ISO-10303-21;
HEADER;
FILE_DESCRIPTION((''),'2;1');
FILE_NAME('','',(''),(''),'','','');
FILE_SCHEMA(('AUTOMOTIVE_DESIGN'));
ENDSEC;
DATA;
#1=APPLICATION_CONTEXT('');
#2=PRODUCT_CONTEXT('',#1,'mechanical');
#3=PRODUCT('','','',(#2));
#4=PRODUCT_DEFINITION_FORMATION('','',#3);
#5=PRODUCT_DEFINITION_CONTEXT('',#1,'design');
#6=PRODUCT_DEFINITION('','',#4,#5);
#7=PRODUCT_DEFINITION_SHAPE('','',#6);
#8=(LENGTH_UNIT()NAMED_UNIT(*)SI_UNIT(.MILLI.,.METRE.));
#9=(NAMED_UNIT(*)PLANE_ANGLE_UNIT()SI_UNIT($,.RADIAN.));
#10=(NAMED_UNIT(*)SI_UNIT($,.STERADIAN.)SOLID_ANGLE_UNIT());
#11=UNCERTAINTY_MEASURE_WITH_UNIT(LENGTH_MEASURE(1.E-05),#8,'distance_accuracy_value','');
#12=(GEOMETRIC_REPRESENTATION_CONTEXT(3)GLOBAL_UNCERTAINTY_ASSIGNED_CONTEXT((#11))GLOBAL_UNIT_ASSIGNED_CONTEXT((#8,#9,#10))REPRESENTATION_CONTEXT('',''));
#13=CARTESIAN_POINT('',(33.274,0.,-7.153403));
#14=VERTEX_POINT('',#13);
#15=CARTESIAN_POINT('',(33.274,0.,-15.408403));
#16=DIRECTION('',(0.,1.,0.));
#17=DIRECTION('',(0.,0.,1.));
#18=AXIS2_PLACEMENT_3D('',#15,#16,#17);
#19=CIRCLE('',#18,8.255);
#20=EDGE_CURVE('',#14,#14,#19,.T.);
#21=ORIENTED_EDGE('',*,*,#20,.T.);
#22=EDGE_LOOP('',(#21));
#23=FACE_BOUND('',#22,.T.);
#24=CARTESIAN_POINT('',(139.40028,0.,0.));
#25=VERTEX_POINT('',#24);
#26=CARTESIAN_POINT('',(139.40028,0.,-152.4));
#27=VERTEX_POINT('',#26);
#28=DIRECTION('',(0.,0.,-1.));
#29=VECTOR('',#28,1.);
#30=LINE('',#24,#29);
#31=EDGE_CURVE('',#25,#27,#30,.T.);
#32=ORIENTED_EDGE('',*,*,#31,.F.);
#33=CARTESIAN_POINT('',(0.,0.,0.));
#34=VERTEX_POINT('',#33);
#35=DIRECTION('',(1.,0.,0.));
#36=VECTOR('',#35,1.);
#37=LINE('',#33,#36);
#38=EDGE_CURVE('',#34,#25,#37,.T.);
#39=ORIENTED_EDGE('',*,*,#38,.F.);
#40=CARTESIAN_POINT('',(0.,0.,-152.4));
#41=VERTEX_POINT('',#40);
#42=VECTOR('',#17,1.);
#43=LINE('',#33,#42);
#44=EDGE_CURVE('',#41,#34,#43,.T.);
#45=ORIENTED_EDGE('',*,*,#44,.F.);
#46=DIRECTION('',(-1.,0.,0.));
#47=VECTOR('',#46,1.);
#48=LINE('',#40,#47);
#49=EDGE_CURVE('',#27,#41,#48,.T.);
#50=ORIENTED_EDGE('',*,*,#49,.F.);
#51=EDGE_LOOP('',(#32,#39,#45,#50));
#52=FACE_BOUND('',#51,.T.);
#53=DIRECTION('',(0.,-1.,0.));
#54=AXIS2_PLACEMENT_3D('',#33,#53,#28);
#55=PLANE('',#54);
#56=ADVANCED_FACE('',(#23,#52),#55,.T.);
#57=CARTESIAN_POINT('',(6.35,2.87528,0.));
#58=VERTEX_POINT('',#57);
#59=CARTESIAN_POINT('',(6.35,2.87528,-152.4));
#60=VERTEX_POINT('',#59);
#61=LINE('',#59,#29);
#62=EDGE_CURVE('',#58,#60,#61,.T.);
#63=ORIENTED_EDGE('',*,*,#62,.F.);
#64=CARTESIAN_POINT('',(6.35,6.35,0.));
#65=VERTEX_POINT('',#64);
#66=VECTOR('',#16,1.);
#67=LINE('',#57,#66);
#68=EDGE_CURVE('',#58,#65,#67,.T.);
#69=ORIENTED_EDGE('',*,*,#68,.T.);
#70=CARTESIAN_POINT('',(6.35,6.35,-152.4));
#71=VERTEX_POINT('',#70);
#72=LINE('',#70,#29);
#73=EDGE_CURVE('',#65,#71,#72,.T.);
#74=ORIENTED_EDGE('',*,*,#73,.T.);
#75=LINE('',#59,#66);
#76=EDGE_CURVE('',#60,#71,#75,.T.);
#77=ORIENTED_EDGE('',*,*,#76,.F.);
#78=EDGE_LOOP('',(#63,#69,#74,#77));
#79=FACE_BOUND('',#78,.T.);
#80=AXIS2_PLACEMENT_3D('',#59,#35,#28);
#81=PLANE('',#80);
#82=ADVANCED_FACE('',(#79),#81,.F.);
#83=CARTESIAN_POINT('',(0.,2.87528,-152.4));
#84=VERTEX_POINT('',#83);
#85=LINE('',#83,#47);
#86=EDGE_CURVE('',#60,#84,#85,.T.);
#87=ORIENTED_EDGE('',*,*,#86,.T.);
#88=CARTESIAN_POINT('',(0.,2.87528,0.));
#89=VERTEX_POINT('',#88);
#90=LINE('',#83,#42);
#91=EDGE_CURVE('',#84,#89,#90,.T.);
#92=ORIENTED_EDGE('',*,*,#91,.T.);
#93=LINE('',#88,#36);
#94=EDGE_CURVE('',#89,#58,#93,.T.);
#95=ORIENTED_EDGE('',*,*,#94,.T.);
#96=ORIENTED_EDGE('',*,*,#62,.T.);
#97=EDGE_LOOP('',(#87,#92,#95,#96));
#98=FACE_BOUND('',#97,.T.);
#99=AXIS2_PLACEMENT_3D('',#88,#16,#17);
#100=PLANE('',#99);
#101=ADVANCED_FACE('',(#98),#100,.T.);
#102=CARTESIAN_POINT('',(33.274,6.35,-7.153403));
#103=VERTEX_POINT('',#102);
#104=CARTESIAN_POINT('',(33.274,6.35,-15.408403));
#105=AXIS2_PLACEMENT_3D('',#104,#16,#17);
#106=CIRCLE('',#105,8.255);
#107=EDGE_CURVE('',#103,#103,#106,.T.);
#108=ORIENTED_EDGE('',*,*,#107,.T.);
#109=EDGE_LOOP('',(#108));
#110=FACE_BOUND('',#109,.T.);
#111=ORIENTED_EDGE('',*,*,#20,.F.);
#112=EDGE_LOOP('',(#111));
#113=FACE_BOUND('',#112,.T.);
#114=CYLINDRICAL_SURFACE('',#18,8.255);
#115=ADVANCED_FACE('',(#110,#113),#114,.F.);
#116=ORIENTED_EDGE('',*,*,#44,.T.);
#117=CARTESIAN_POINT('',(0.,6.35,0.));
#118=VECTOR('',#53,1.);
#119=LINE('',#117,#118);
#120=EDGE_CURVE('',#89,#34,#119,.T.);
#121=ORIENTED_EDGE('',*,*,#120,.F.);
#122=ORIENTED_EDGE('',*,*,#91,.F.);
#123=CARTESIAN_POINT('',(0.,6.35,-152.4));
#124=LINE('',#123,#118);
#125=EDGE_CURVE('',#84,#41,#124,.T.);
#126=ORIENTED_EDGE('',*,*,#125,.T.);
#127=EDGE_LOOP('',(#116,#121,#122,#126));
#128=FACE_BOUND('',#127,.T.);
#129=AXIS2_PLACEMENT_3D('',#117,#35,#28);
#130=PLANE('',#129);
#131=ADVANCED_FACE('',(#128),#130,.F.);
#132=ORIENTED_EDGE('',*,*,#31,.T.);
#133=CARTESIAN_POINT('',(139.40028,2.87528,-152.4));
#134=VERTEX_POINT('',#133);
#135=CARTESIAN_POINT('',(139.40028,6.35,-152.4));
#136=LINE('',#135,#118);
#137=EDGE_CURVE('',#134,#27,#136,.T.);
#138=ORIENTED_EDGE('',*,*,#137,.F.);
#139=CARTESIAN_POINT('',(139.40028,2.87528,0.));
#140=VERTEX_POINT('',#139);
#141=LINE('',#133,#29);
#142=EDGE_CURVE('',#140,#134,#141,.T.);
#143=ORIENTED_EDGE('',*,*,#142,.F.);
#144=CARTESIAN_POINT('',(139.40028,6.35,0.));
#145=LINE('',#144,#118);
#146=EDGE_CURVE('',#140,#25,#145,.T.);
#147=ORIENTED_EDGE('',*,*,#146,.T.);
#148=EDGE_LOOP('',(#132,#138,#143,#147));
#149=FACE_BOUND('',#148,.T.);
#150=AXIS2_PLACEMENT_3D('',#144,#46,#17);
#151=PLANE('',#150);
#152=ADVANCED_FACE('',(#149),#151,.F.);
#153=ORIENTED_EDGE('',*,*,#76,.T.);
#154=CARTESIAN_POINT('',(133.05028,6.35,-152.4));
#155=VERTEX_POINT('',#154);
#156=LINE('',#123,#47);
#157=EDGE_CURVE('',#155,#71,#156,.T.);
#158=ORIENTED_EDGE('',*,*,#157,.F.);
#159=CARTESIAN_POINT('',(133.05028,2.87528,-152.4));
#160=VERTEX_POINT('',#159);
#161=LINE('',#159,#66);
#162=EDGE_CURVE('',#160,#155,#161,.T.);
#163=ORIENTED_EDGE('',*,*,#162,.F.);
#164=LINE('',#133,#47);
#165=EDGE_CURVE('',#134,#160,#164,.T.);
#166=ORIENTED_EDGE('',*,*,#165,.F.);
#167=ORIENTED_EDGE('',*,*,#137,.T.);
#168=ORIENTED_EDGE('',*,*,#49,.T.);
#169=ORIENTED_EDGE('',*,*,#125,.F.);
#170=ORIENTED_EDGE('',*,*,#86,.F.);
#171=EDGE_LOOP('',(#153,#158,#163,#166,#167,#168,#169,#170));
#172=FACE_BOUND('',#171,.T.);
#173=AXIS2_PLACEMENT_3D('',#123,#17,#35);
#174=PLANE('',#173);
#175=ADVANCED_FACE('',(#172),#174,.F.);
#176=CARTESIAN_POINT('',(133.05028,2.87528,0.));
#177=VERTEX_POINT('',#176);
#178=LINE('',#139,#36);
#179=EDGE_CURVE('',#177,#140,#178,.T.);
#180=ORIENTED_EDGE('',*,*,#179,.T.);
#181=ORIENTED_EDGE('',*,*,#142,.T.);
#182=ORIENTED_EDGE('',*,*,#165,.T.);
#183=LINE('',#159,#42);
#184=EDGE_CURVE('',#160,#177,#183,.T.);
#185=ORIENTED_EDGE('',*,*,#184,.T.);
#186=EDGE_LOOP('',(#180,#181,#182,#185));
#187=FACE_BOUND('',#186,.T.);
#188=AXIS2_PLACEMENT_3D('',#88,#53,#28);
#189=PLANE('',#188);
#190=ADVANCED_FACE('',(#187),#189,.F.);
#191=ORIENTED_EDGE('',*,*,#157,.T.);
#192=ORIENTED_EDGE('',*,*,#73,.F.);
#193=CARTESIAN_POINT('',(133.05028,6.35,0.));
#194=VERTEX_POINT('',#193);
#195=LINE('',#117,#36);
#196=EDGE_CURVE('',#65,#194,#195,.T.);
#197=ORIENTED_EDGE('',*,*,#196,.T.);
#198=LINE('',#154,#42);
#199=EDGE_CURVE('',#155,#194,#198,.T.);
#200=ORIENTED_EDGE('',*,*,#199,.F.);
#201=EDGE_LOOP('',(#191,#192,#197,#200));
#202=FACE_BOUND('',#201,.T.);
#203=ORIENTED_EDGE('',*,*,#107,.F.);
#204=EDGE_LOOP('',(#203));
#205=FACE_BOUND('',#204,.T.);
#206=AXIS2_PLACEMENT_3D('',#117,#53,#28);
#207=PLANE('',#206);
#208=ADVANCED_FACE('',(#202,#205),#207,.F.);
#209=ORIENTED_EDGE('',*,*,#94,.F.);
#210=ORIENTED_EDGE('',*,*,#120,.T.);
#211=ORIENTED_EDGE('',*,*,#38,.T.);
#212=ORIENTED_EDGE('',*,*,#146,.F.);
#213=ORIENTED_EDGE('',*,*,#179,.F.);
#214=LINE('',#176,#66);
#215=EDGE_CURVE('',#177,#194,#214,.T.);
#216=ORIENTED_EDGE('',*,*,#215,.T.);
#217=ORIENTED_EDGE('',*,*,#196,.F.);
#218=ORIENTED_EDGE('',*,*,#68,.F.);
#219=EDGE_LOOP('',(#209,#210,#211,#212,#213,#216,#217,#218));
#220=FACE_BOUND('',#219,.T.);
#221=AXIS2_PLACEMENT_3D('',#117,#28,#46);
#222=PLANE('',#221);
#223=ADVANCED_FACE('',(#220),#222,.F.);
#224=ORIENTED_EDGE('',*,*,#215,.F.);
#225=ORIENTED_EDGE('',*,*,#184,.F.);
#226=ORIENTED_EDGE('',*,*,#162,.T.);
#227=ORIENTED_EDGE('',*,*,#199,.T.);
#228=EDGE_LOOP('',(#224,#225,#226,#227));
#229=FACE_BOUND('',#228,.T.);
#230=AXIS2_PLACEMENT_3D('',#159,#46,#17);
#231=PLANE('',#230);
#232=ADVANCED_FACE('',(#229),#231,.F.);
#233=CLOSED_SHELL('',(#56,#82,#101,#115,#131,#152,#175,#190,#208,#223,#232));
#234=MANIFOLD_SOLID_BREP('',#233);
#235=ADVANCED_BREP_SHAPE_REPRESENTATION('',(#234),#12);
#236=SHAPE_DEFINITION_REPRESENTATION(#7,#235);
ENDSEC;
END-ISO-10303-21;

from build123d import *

# Parameters (mm, degrees)
SKETCH1_W           = 139.40028
SKETCH1_H           = 152.4
BOSS_EXTRUDE1_DEPTH = 6.35
SKETCH2_W           = 6.35
SKETCH2_H           = 152.4
CUT_EXTRUDE1_DEPTH  = 3.47472
SKETCH3_R           = 8.255
CUT_EXTRUDE2_DEPTH  = 7.35


with BuildPart() as part:
    # Sketch1 → Boss-Extrude1 (new body)
    with BuildSketch(Plane(origin=(0, 0, 0), x_dir=(1, 0, 0), z_dir=(0, 1, 0))):
        with Locations((69.70014, 76.2)):
            Rectangle(SKETCH1_W, SKETCH1_H)
    extrude(amount=BOSS_EXTRUDE1_DEPTH)

    # Sketch2 → Cut-Extrude1 (cut)
    with BuildSketch(Plane(origin=(0, 6.35, 0), x_dir=(1, 0, 0), z_dir=(0, 1, 0))):
        with Locations((3.175, 76.2)):
            Rectangle(SKETCH2_W, SKETCH2_H)
        with Locations((136.22528, 76.2)):
            Rectangle(SKETCH2_W, SKETCH2_H)
    extrude(amount=-CUT_EXTRUDE1_DEPTH, mode=Mode.SUBTRACT)

    # Sketch3 → Cut-Extrude2 (cut, through all)
    with BuildSketch(Plane(origin=(0, 6.35, 0), x_dir=(1, 0, 0), z_dir=(0, 1, 0))):
        with Locations((33.274, 15.408402902)):
            Circle(SKETCH3_R)
    extrude(amount=-CUT_EXTRUDE2_DEPTH, mode=Mode.SUBTRACT)


solid = part.part
